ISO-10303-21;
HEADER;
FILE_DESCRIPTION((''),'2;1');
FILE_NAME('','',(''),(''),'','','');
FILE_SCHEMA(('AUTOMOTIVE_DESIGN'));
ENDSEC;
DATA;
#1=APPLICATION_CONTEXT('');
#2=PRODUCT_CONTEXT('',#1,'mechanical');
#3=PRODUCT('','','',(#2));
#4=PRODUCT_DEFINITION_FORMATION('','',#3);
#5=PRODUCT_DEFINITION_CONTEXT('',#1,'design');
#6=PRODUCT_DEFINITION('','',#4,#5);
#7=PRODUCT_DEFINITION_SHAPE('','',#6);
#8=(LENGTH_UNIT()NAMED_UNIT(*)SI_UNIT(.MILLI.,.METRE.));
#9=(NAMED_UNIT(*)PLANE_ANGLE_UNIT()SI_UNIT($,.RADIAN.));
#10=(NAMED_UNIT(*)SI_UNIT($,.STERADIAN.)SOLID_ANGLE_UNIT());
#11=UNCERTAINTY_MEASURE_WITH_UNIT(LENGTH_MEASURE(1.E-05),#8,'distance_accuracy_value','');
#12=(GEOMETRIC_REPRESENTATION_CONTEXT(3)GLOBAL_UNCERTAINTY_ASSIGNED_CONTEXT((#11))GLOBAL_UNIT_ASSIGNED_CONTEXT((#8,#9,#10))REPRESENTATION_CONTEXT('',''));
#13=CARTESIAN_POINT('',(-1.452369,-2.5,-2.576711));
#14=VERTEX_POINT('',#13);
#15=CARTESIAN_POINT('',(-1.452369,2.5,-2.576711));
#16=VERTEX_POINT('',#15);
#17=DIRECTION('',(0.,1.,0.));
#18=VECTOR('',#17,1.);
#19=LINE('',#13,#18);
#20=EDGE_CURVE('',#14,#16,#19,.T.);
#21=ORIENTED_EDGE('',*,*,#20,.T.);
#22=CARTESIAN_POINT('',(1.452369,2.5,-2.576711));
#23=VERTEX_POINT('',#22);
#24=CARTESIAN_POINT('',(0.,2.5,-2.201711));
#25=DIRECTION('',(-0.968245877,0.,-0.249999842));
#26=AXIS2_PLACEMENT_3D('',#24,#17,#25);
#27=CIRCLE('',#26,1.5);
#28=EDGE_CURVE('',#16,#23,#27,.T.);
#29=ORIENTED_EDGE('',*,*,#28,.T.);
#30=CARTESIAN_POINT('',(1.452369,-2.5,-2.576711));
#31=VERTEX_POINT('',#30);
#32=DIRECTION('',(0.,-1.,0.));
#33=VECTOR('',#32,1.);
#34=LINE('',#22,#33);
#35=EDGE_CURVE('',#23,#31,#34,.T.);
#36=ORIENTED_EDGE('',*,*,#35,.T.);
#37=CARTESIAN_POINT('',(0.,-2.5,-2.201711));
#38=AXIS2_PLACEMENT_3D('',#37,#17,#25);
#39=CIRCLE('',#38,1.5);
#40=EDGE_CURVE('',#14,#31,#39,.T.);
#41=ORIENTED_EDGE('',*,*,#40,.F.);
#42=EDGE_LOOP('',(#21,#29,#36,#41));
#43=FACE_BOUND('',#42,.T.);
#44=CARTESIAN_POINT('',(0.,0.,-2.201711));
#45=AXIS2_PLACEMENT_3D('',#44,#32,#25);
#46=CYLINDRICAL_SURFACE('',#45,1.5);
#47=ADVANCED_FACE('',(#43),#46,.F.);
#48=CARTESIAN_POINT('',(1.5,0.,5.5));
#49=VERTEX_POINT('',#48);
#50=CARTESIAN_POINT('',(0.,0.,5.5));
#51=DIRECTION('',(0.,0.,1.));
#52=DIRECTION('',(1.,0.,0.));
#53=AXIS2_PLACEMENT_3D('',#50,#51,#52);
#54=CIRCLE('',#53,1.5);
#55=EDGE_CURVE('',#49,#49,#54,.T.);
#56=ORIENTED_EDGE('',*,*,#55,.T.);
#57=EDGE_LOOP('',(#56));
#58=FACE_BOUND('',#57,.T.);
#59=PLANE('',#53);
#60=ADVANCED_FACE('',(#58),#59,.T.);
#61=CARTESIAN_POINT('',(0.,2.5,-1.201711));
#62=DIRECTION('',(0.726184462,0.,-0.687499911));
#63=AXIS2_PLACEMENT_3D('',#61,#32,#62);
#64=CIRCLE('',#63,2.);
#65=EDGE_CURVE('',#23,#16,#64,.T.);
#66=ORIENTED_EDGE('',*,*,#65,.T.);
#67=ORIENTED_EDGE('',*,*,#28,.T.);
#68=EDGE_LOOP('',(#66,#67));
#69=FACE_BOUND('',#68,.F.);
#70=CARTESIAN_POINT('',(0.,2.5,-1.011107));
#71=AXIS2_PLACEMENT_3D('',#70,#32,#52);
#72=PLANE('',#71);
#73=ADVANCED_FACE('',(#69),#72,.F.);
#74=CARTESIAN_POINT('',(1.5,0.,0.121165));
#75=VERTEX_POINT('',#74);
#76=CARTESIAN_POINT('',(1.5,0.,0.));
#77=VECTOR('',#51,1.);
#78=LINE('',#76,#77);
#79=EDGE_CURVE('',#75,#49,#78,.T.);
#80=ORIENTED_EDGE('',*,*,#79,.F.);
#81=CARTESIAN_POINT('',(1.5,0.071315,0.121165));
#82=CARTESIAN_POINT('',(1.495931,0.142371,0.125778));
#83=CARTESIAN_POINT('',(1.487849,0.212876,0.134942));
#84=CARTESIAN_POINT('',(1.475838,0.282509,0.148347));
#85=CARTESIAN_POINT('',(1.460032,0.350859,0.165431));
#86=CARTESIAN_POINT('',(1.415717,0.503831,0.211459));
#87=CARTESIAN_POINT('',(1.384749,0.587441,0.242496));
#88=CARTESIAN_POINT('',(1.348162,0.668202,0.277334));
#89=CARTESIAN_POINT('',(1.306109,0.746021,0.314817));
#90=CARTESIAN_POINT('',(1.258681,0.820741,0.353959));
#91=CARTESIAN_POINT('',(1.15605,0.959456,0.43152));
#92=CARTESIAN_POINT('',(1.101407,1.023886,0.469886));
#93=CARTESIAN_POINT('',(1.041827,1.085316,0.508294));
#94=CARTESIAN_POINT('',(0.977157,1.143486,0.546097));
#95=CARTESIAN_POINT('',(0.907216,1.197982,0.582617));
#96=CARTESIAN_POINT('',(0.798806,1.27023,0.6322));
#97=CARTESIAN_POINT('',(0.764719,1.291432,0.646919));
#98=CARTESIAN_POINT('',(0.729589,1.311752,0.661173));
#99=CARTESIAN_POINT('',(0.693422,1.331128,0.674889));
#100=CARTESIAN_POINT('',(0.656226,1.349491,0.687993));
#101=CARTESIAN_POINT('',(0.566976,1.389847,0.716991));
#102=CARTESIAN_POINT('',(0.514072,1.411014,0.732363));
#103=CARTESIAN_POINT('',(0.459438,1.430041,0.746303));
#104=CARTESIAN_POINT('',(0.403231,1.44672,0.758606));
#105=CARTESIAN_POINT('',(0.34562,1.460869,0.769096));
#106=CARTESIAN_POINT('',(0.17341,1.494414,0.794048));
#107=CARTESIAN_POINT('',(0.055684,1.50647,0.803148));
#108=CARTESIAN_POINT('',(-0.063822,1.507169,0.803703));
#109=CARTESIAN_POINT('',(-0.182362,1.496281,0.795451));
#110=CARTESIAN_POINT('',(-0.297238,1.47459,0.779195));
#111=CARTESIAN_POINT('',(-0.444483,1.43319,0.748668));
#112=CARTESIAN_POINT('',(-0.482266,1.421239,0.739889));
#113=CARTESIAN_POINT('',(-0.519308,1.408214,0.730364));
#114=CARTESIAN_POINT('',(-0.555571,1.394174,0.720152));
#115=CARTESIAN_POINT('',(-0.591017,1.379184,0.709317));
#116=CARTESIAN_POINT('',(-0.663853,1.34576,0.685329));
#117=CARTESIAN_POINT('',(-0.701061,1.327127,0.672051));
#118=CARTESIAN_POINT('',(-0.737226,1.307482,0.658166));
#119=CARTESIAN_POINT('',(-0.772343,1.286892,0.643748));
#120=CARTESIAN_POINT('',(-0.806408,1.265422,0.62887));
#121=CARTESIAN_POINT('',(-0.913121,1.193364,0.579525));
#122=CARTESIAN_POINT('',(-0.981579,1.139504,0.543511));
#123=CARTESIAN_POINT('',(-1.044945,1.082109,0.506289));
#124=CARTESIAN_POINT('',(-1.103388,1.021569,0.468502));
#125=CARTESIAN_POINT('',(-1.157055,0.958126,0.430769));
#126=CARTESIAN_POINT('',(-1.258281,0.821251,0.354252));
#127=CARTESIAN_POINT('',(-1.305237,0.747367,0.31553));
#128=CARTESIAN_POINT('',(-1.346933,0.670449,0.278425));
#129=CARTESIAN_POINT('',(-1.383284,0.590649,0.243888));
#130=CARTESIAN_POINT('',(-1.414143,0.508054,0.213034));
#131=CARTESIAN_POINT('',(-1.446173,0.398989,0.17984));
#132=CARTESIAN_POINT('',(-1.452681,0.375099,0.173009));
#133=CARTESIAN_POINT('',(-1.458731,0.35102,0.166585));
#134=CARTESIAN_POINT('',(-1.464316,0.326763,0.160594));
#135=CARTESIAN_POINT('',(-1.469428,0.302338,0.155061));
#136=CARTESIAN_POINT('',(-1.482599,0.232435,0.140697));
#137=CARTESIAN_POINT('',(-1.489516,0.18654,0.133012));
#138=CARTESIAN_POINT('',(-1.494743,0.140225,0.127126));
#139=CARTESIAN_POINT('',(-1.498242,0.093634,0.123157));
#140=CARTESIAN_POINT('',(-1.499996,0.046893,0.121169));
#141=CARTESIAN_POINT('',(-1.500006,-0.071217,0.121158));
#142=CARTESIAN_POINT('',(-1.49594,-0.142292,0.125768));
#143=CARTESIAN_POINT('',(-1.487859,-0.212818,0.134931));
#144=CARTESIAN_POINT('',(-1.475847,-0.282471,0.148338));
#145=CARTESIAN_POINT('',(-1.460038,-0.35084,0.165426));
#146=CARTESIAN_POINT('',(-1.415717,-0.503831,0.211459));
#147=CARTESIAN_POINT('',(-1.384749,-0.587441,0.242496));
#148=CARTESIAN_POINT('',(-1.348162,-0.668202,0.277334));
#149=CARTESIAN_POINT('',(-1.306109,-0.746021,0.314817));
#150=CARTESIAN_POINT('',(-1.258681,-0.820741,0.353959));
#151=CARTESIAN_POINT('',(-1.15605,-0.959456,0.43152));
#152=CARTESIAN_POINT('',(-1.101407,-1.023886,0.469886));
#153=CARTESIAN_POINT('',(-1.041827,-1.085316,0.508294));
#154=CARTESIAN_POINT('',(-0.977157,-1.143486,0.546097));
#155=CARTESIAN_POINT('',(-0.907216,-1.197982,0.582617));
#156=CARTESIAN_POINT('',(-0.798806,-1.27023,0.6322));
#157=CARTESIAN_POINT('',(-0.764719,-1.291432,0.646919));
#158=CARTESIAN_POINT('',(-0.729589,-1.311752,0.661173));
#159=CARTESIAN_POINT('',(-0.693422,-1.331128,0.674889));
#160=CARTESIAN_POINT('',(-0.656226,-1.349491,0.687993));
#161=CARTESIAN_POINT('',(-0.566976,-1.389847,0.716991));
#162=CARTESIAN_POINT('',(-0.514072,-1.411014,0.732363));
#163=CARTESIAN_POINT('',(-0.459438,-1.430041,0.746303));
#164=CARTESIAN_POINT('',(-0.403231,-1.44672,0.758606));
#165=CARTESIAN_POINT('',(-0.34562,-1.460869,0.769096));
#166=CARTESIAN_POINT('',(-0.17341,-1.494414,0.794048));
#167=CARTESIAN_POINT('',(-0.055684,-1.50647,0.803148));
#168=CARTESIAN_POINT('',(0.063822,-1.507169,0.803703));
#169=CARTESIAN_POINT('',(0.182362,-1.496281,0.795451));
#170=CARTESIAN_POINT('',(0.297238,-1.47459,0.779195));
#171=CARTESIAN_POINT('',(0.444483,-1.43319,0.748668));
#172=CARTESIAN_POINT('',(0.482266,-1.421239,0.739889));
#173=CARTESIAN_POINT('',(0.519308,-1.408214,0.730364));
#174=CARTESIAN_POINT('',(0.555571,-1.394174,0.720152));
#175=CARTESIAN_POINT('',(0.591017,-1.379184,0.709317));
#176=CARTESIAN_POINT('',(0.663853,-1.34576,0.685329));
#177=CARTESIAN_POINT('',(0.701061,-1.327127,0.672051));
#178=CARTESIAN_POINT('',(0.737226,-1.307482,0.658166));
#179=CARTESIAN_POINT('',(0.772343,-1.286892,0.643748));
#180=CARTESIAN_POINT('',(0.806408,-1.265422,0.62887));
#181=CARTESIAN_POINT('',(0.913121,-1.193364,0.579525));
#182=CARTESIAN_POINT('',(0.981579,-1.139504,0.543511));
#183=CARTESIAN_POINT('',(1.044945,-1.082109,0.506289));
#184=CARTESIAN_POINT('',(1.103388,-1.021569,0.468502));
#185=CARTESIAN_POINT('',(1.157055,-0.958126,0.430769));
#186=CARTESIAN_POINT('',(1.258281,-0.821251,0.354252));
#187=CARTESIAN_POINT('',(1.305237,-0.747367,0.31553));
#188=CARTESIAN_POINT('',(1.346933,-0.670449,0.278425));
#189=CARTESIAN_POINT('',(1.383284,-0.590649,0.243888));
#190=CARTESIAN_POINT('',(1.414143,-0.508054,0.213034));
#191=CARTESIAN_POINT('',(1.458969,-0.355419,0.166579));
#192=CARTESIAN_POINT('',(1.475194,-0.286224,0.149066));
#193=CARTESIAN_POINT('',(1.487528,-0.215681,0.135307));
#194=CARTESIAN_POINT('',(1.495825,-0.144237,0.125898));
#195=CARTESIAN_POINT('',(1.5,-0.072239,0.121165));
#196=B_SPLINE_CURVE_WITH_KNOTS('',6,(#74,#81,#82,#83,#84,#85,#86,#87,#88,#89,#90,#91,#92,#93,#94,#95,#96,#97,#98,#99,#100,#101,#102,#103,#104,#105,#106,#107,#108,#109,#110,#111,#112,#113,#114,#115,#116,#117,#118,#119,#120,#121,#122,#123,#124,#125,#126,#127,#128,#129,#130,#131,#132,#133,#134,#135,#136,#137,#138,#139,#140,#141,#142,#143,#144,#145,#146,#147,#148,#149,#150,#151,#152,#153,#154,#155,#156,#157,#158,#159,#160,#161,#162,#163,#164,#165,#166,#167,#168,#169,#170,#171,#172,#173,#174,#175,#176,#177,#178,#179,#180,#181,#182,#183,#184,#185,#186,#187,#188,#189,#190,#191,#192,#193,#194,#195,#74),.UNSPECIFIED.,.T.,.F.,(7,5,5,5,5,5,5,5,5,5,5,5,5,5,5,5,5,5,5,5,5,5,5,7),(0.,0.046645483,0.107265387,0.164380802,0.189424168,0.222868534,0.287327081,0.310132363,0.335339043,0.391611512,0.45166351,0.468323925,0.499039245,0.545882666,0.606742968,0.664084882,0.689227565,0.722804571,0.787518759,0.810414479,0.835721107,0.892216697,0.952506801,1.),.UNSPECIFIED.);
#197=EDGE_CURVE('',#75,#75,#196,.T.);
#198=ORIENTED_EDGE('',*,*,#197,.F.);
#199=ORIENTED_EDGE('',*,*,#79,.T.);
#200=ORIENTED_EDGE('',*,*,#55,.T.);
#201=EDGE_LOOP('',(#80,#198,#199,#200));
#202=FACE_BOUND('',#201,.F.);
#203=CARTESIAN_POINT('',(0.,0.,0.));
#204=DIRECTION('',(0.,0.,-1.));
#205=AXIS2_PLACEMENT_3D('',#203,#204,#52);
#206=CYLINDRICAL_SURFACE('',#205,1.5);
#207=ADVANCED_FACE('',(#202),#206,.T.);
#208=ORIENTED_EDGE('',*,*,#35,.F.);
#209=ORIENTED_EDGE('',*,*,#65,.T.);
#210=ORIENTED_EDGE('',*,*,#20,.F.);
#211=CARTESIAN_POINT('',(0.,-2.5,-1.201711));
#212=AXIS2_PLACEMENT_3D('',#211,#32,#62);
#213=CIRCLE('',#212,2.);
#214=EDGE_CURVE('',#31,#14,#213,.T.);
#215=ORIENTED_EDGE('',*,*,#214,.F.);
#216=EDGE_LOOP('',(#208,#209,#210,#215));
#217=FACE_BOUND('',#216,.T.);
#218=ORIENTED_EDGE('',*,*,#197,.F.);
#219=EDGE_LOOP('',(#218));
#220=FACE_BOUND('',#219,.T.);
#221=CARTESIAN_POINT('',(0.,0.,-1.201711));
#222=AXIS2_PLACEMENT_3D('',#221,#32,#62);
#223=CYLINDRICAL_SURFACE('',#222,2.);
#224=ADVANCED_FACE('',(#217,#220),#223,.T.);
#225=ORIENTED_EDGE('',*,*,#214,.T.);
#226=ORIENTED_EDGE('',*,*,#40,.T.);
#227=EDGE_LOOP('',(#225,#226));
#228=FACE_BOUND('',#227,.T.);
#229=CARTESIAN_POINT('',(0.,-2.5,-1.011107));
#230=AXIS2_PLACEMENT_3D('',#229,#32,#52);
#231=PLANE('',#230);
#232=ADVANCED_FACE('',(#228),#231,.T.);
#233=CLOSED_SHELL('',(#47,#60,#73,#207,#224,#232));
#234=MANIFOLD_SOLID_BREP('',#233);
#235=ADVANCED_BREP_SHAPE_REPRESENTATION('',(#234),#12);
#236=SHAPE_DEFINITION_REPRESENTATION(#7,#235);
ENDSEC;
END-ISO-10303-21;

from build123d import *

# Parameters (mm, degrees)
F1_DEPTH = 2.5
F2_R     = 1.5
F3_DEPTH = 5.5


with BuildPart() as f1:
    # F0 (on Front) → F1 (new body, symmetric)
    with BuildSketch(Plane.XZ):
        with BuildLine():
            ThreePointArc((-1.452369, -2.576711), (0, -0.701711), (1.452369, -2.576711))
            ThreePointArc((1.452369, -2.576711), (0, 0.798289), (-1.452369, -2.576711))
        make_face()
    extrude(amount=F1_DEPTH, both=True)

    # F2 (on Top) → F3 (join)
    with BuildSketch(Plane.XY):
        Circle(F2_R)
    extrude(amount=F3_DEPTH)


solid = f1.part
